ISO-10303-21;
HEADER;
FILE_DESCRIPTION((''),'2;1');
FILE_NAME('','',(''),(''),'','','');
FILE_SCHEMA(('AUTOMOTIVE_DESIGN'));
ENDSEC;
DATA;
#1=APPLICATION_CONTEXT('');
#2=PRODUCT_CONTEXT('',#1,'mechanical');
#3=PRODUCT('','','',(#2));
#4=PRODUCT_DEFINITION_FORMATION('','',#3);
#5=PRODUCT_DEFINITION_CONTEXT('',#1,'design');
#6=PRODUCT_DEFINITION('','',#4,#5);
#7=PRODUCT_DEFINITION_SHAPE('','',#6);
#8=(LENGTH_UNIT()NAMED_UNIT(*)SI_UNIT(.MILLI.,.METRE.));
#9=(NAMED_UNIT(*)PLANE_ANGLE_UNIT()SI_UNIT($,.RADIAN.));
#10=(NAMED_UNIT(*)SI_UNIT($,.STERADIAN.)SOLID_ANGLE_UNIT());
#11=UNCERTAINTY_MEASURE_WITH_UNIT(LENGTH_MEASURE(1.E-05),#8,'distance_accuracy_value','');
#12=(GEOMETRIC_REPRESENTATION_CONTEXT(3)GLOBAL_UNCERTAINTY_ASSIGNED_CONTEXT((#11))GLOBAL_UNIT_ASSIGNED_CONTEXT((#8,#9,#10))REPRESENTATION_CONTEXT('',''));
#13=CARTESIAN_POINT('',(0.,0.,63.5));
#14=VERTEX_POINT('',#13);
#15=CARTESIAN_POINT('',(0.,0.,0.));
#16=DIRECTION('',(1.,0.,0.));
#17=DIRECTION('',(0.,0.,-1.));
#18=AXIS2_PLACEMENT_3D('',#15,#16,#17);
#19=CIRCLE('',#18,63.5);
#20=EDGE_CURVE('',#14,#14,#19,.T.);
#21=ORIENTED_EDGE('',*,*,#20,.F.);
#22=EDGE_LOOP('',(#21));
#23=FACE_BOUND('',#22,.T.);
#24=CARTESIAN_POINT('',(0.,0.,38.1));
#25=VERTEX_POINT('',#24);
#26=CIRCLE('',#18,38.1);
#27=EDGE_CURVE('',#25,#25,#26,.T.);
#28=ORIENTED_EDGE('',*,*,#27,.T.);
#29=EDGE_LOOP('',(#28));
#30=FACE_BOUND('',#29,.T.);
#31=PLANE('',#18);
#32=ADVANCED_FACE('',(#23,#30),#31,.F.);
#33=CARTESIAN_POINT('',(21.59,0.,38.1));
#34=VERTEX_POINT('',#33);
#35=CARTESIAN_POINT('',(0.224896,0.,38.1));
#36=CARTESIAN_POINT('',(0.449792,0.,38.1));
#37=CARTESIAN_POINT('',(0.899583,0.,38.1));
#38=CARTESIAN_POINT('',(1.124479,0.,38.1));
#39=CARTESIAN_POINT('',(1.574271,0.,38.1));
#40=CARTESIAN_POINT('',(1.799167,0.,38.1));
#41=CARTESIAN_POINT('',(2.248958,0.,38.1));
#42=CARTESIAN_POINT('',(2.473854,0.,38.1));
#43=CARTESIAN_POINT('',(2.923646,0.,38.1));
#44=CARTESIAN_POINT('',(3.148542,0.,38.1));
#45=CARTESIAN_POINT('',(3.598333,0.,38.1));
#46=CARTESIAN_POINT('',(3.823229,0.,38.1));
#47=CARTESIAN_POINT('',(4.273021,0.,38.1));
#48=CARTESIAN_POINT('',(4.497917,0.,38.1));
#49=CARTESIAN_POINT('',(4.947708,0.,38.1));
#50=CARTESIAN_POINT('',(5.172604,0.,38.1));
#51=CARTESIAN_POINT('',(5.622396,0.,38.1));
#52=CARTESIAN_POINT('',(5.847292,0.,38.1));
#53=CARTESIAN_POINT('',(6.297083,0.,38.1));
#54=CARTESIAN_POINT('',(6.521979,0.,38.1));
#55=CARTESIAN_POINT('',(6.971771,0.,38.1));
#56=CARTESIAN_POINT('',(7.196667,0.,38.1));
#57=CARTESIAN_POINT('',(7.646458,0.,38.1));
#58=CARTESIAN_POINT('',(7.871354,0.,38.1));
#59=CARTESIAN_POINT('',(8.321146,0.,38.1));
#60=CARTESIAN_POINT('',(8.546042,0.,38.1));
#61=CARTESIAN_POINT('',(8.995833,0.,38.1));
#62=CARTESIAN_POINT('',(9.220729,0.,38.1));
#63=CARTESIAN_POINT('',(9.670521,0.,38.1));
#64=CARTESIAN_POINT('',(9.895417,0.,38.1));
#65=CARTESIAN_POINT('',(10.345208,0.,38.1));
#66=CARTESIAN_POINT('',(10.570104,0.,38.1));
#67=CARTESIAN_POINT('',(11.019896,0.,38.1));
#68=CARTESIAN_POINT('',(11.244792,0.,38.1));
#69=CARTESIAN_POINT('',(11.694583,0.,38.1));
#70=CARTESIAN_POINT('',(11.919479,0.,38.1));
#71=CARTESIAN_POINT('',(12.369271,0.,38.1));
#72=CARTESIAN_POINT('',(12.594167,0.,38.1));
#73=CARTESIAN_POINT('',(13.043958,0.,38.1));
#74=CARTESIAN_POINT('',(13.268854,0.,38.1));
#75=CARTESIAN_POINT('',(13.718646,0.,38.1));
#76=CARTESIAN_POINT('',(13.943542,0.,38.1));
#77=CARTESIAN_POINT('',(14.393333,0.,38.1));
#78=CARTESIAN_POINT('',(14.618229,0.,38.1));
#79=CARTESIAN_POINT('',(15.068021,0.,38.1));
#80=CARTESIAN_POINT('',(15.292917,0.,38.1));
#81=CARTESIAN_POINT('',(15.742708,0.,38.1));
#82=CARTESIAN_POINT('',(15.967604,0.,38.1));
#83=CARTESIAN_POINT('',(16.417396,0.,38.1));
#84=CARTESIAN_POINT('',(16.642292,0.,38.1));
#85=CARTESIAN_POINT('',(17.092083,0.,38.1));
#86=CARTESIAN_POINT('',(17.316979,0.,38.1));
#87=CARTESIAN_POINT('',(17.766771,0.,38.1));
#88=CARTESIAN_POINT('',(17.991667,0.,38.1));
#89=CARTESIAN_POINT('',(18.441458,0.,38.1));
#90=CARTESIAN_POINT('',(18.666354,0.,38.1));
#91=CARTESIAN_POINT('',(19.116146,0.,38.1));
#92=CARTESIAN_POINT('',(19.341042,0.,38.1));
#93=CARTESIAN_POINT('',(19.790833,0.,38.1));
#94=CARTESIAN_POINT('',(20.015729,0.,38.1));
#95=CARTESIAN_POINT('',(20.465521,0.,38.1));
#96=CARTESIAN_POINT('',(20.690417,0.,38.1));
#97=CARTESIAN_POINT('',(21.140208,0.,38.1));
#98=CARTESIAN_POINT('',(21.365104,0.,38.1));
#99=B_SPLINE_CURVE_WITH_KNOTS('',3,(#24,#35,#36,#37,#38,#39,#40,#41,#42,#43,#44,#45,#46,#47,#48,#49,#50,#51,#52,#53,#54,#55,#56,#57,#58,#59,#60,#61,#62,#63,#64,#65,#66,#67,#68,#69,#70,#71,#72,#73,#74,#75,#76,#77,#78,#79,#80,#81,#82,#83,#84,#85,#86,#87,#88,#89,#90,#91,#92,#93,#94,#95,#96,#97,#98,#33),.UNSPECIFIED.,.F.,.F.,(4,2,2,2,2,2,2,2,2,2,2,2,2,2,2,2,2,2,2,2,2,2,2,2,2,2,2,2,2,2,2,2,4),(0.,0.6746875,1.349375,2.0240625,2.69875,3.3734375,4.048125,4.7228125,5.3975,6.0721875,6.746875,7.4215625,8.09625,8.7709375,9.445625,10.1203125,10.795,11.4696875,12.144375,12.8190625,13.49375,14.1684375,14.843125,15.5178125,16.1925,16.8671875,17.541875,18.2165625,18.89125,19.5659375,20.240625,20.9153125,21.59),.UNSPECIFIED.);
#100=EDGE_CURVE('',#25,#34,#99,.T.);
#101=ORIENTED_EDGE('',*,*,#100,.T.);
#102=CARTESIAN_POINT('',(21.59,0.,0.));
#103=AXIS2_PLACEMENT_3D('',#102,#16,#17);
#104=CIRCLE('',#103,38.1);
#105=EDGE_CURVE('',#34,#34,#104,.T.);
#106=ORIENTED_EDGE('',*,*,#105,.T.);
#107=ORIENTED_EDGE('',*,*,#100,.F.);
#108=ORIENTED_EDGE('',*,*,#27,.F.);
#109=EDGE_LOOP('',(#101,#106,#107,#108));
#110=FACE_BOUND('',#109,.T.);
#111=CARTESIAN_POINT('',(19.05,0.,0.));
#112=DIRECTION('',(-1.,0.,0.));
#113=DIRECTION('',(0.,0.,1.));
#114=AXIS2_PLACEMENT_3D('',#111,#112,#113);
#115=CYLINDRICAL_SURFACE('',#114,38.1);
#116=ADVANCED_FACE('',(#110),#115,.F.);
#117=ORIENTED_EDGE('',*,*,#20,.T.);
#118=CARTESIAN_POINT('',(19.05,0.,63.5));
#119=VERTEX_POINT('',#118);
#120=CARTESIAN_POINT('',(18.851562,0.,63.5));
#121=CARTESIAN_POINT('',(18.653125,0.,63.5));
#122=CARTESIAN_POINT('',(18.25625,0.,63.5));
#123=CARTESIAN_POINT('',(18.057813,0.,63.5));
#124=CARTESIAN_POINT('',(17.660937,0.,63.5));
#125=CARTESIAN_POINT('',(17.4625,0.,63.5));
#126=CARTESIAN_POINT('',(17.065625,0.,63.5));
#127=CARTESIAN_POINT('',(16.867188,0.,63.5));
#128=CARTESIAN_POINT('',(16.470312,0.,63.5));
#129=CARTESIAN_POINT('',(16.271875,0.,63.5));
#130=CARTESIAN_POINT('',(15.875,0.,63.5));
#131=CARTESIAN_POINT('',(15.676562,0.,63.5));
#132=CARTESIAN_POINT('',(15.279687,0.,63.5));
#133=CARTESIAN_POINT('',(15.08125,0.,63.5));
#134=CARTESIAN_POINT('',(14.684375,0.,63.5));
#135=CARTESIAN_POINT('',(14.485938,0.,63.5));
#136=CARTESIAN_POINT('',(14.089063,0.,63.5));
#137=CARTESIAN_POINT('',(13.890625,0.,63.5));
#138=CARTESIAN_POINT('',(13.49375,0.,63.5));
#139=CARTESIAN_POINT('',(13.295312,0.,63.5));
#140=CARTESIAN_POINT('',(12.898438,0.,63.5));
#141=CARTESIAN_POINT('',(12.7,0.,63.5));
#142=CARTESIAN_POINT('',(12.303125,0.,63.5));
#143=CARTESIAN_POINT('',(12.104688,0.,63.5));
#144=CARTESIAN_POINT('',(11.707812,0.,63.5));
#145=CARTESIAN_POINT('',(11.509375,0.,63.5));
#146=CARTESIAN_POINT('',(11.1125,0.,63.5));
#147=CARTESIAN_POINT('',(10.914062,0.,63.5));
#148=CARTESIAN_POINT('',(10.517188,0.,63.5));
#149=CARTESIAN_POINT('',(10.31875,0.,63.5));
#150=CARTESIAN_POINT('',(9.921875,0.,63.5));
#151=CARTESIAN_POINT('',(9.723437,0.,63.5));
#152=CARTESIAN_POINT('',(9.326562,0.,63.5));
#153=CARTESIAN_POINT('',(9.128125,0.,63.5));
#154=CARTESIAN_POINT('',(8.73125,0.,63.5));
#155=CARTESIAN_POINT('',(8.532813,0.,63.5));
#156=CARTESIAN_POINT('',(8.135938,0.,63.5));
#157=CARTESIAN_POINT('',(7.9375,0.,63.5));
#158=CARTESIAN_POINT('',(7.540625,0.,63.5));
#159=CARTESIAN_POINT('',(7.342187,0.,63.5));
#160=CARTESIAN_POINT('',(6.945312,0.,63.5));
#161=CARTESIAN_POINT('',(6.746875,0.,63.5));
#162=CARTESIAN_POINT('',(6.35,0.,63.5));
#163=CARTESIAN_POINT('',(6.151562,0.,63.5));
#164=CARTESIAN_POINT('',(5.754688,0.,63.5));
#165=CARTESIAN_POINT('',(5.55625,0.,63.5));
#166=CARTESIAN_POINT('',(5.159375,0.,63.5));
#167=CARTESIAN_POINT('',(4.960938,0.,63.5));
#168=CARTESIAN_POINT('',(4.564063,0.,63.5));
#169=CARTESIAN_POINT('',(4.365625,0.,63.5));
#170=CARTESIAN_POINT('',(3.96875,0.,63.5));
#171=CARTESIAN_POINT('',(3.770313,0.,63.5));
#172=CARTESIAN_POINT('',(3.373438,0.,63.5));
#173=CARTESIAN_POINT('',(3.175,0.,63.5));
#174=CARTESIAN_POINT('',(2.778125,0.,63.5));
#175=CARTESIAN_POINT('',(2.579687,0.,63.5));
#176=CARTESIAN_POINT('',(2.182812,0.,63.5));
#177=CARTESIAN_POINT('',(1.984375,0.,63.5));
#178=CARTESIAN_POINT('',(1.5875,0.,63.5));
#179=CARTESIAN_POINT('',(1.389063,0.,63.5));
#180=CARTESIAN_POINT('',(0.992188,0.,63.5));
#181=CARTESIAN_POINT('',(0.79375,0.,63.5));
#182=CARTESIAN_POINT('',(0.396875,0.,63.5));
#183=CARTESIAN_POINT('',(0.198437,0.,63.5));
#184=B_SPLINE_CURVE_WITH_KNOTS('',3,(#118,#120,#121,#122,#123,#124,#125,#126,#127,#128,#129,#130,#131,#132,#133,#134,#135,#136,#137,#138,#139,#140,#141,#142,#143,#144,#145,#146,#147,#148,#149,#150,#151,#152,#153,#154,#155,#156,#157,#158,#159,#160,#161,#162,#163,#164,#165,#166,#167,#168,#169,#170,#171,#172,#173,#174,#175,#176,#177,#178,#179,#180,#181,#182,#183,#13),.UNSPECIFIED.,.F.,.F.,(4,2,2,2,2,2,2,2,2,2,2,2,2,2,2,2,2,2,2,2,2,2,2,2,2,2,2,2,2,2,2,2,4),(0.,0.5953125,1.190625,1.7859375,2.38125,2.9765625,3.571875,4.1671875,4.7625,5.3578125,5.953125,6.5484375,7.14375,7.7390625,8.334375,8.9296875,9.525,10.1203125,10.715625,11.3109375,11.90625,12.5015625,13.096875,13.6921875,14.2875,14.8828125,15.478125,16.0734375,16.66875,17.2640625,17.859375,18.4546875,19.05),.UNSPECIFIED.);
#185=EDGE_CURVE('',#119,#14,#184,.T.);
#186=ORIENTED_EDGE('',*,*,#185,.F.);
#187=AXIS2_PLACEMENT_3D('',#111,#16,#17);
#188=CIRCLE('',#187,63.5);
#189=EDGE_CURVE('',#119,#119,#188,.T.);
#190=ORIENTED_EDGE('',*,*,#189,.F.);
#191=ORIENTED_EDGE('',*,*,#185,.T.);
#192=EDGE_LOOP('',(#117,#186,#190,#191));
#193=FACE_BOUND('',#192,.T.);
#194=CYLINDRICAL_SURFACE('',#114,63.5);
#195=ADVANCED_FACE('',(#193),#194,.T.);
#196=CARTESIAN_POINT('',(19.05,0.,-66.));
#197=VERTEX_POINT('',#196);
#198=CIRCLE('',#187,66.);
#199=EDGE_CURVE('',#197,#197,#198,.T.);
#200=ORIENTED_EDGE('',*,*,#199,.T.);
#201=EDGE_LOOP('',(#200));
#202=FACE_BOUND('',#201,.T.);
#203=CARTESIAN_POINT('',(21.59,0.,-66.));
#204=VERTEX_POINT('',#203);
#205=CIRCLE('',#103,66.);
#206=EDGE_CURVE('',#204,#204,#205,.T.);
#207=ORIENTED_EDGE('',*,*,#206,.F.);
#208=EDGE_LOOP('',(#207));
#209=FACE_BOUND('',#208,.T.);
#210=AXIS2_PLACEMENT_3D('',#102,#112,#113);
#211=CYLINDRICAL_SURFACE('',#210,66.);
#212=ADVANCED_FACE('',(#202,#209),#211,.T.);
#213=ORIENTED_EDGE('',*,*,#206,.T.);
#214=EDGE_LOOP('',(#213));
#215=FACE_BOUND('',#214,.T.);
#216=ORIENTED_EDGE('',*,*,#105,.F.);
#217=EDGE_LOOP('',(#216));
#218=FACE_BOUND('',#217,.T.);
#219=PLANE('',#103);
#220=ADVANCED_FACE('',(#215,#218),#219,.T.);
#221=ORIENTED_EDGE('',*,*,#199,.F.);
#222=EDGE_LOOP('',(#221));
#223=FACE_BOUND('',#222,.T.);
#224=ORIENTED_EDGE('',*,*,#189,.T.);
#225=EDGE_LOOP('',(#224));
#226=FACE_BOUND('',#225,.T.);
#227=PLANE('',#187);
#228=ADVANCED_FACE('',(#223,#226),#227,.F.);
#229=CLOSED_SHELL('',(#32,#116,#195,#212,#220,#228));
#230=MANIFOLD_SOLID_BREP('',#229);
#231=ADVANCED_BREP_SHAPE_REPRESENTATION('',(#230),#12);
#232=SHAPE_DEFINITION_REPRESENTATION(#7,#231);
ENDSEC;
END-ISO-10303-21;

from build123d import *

# Parameters (mm, degrees)
SKETCH1_R           = 63.5
SKETCH1_R_2         = 38.1
BOSS_EXTRUDE1_DEPTH = 19.05
SKETCH3_R           = 66
SKETCH3_R_2         = 38.1
BOSS_EXTRUDE2_DEPTH = 2.54


with BuildPart() as part:
    # Sketch1 → Boss-Extrude1 (new body)
    with BuildSketch(Plane(origin=(0, 0, 0), x_dir=(0, 0, -1), z_dir=(1, 0, 0))):
        with Locations(Location((0, 0, 0), (0, 0, 180))):
            Circle(SKETCH1_R)
        with Locations(Location((0, 0, 0), (0, 0, 180))):
            Circle(SKETCH1_R_2, mode=Mode.SUBTRACT)
    extrude(amount=BOSS_EXTRUDE1_DEPTH)

    # Sketch3 → Boss-Extrude2 (add)
    with BuildSketch(Plane(origin=(19.05, 0, 0), x_dir=(0, 0, -1), z_dir=(1, 0, 0))):
        Circle(SKETCH3_R)
        with Locations(Location((0, 0, 0), (0, 0, 180))):
            Circle(SKETCH3_R_2, mode=Mode.SUBTRACT)
    extrude(amount=BOSS_EXTRUDE2_DEPTH)


solid = part.part
